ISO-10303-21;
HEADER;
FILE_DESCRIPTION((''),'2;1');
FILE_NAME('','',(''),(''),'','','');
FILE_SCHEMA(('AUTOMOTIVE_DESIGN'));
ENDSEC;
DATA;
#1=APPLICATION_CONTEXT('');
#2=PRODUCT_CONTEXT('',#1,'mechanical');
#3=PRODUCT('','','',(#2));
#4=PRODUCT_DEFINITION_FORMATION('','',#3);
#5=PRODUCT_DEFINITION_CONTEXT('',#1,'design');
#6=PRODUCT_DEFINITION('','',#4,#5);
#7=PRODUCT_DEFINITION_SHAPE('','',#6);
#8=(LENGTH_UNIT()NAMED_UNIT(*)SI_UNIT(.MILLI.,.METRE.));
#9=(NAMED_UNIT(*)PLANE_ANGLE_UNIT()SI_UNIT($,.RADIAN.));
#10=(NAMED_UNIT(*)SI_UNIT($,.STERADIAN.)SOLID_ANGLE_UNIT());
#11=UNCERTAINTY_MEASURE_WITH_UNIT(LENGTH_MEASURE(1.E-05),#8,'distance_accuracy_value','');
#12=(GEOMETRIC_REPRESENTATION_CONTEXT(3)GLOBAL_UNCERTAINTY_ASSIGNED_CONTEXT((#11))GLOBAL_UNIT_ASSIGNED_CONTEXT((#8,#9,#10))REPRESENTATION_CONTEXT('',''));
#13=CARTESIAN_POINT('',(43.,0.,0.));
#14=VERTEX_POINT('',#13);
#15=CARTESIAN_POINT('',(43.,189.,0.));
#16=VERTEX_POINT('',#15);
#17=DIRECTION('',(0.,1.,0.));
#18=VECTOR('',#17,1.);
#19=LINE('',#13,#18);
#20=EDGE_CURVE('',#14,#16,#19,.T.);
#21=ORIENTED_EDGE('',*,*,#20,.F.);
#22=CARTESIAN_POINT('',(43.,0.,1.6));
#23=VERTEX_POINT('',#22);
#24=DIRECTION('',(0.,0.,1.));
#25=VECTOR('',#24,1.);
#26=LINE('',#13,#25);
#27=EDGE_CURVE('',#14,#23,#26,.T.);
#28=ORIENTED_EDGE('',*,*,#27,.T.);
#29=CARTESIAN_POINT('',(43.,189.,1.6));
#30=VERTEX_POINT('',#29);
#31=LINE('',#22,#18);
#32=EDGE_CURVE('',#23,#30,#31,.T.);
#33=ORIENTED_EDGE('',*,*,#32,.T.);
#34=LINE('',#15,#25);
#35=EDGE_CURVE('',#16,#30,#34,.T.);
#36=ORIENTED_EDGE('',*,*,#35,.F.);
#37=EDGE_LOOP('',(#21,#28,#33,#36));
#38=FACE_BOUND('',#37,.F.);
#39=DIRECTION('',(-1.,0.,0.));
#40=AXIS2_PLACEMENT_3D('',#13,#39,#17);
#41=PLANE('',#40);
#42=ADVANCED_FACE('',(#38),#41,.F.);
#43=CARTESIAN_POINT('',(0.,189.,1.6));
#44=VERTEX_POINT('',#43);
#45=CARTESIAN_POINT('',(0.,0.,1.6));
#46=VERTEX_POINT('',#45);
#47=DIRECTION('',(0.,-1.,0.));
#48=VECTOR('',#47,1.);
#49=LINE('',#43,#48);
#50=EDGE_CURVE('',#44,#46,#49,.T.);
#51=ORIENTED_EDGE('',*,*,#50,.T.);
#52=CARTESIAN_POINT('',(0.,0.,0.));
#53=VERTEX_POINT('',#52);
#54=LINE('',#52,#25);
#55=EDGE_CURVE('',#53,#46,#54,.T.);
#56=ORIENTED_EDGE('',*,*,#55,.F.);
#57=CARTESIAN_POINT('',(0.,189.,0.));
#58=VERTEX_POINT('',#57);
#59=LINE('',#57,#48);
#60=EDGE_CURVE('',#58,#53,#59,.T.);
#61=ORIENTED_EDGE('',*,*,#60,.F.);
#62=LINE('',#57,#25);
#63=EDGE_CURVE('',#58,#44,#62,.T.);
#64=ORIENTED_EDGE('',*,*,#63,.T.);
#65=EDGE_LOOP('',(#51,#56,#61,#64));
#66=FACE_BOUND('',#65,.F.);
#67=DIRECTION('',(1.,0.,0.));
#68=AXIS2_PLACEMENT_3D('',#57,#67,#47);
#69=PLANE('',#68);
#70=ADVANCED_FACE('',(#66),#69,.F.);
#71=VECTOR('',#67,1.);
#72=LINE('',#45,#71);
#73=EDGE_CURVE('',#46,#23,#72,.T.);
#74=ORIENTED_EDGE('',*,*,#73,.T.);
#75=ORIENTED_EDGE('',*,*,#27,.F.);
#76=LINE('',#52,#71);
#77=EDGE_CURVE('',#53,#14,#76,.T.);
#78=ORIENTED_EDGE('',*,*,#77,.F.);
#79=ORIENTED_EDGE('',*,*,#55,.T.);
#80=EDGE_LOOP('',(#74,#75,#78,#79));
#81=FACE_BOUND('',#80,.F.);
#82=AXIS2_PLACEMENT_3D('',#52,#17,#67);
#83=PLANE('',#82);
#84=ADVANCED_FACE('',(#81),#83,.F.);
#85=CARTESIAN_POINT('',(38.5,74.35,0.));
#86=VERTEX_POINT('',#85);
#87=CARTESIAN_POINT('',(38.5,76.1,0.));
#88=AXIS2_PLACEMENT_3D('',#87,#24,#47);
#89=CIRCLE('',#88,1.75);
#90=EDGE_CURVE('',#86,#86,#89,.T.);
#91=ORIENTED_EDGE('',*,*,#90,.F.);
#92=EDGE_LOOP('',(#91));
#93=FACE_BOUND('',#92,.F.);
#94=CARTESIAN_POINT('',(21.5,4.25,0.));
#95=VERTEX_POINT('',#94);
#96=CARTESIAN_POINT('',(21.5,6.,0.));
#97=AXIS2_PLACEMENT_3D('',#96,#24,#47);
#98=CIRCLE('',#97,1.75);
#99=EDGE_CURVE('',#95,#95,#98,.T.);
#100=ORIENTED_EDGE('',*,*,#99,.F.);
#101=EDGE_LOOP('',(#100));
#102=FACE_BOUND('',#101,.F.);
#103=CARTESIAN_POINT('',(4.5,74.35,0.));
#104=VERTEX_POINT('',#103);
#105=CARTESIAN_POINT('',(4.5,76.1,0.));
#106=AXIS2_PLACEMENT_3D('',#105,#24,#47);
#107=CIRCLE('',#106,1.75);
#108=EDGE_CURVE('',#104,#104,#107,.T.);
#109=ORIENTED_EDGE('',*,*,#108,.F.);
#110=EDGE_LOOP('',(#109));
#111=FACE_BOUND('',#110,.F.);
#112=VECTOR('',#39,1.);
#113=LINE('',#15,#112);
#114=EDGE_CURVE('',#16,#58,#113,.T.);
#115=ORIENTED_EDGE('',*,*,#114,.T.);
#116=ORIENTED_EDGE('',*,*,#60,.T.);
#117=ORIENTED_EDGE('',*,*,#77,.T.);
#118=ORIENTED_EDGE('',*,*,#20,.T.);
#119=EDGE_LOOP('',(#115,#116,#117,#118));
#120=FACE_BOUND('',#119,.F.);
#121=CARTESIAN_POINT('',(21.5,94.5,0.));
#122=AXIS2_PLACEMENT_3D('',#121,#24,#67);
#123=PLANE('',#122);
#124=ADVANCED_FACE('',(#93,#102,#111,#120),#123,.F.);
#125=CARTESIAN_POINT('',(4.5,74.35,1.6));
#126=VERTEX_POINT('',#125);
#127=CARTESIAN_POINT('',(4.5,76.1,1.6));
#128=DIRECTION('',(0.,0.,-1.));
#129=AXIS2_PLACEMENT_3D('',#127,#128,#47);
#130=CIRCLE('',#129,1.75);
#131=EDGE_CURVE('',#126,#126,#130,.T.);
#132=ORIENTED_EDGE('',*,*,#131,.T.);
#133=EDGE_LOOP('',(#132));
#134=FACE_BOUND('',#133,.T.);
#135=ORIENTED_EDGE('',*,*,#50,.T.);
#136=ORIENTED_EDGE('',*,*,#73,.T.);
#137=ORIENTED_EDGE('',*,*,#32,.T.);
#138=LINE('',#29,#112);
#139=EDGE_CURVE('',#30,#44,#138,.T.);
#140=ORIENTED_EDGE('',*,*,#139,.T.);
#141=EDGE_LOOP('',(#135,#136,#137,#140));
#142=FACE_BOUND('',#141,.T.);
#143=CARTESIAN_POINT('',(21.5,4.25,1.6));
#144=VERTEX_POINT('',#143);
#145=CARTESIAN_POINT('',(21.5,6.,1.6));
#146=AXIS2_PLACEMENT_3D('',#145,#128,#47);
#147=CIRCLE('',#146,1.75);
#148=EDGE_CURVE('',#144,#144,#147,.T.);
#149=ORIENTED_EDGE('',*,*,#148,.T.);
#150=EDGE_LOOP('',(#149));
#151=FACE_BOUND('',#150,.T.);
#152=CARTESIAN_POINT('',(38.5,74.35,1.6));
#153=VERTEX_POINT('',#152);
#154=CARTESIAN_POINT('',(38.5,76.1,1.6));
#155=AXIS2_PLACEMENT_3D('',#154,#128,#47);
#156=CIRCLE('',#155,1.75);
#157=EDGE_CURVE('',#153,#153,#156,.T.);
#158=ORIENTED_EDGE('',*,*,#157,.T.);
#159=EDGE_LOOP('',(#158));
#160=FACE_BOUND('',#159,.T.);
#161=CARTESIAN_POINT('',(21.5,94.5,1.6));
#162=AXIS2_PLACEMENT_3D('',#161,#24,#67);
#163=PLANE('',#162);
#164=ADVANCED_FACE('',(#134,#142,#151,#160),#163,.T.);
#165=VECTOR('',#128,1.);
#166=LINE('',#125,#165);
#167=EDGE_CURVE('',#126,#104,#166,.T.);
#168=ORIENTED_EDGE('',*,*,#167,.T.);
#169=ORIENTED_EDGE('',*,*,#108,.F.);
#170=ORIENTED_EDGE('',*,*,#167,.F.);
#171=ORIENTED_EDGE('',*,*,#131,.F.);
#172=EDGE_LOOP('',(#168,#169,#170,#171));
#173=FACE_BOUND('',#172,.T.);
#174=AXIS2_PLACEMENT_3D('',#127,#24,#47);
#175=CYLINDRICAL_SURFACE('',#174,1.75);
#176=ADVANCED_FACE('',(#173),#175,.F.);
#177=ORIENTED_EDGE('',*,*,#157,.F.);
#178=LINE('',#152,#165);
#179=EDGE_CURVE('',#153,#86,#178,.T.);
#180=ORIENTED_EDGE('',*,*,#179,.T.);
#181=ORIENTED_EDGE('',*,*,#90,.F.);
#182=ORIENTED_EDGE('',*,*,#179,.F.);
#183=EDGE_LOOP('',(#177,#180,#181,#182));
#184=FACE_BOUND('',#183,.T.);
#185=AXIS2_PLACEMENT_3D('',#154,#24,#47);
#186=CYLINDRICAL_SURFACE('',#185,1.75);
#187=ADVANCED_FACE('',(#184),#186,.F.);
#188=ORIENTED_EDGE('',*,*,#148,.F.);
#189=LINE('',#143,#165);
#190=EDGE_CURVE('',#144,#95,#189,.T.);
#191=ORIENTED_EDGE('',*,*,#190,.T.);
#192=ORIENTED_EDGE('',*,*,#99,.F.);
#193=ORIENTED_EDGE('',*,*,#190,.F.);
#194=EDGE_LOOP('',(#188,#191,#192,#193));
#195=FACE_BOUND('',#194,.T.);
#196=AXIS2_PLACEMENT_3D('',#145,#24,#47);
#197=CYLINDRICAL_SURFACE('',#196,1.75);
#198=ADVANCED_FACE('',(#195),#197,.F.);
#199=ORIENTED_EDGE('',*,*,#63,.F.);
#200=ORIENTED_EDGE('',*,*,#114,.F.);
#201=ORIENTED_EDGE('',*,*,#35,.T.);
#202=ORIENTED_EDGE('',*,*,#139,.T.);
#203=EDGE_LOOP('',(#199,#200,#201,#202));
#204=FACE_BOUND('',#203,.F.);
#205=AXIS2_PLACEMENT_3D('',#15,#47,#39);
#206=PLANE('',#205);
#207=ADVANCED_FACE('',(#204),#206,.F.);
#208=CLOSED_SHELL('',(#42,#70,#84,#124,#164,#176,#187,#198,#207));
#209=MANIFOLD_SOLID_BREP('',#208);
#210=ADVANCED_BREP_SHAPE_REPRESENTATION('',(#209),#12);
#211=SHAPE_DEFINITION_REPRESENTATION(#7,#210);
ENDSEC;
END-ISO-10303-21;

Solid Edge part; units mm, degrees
sketch "Sketch1" plane through (0, 0, 0) normal (0, 0, 1) x (1, 0, 0)
  line L0 (43, 0) -> (43, 189)
  line L1 (43, 189) -> (0, 189)
  line L2 (0, 189) -> (0, 0)
  line L3 (0, 0) -> (43, 0)
extrude "Protrusion1" add sketch "Sketch1" along normal blind 1.6
hole "Hole_1" at (4.5, 76.1, 1.6) direction (0, 0, -1) diameter 3.5 end through all
hole "Hole1" at (38.5, 76.1, 1.6) direction (0, 0, -1) diameter 3.5 end through all
hole "Hole2" at (21.5, 6, 1.6) direction (0, 0, -1) diameter 3.5 end through all
